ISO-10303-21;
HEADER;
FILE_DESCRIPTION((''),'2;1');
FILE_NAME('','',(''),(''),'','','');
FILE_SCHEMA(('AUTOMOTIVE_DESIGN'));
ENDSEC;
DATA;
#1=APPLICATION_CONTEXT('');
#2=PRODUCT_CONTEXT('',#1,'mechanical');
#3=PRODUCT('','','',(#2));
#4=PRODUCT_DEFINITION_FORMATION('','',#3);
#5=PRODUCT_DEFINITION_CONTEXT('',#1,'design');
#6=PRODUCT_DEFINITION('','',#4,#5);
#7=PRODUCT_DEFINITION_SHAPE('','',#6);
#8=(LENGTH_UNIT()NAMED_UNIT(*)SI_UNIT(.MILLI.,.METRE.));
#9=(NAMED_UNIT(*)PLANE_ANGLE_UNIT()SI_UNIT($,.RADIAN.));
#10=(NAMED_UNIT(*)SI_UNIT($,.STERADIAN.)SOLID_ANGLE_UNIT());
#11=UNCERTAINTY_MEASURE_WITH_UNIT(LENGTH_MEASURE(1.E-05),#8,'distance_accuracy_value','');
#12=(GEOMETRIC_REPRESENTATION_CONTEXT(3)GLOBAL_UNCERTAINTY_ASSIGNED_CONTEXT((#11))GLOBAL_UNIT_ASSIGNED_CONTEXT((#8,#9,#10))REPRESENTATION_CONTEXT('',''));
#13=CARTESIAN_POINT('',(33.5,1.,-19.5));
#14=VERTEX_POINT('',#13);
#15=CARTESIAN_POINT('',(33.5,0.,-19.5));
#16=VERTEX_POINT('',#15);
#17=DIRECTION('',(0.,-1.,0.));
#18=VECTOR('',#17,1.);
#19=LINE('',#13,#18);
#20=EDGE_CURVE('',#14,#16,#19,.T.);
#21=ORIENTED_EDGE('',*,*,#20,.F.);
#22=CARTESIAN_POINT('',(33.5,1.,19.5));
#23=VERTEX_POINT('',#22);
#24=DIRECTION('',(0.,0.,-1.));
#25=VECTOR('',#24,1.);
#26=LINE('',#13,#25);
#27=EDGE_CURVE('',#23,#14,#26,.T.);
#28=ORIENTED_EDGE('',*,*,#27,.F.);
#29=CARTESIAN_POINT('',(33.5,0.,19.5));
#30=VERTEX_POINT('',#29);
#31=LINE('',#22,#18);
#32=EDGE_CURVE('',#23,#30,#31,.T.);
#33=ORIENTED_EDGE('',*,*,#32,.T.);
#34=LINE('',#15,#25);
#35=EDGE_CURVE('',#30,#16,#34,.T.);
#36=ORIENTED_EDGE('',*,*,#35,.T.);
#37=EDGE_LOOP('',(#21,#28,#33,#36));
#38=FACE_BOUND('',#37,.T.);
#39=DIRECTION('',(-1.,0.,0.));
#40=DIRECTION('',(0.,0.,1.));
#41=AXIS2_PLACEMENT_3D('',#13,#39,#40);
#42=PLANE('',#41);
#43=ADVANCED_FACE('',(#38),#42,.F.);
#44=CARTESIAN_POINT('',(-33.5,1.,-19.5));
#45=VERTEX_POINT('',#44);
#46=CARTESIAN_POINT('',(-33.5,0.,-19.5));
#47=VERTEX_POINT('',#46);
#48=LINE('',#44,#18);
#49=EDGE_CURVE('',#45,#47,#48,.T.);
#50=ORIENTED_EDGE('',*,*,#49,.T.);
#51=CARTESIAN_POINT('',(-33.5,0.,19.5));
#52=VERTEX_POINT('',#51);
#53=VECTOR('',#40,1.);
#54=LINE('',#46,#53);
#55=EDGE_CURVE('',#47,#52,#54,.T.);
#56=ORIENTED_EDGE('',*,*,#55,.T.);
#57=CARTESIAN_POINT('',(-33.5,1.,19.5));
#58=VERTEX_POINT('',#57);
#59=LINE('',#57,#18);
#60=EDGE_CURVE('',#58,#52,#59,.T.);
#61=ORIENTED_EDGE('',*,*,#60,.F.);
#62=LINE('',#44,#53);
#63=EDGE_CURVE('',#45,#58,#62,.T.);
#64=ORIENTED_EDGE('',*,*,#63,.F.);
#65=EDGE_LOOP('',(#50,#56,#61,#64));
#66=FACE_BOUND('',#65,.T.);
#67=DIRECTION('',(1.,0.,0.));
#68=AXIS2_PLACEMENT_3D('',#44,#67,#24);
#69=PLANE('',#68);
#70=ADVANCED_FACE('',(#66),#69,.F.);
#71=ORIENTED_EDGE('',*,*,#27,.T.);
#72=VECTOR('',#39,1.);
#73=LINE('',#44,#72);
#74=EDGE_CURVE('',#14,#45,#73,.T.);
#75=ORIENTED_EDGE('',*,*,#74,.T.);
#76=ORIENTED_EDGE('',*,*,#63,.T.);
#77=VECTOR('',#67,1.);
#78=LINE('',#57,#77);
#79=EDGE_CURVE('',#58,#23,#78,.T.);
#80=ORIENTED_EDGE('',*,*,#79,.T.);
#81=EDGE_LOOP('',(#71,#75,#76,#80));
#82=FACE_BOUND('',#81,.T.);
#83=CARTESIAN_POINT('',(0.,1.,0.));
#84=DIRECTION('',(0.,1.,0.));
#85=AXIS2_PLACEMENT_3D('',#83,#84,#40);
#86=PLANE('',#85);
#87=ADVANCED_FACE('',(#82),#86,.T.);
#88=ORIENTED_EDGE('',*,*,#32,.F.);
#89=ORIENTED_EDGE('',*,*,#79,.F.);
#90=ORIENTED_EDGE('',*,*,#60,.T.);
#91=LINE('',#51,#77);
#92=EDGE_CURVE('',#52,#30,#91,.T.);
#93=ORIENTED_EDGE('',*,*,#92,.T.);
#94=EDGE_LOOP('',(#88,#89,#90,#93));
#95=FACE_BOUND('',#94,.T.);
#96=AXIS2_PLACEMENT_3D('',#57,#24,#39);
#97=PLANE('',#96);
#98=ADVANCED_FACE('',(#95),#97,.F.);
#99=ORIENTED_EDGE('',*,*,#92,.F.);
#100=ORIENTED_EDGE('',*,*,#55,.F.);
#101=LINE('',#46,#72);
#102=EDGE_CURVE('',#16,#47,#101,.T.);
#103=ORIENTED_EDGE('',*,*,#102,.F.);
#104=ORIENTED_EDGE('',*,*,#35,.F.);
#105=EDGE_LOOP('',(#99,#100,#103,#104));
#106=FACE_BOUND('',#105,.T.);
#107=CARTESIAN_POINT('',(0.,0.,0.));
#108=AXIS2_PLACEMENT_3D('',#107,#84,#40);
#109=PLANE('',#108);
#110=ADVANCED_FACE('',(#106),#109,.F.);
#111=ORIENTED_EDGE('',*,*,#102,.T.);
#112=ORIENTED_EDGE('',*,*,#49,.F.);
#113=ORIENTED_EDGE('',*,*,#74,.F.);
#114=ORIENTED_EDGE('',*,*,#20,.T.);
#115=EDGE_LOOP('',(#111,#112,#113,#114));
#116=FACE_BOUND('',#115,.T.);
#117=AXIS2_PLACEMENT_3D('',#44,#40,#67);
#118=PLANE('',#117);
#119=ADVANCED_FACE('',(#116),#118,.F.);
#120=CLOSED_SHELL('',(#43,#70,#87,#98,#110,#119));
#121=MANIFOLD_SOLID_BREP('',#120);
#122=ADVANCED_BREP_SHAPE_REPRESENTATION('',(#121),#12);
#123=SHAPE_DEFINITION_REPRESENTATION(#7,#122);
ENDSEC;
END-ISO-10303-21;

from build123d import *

# Parameters (mm, degrees)
SKETCH_1_W      = 67
SKETCH_1_H      = 39
EXTRUDE_1_DEPTH = 1


with BuildPart() as part:
    # 草图1 → 凸台-拉伸1 (new body)
    with BuildSketch(Plane(origin=(0, 0, 0), x_dir=(1, 0, 0), z_dir=(0, 1, 0))):
        Rectangle(SKETCH_1_W, SKETCH_1_H)
    extrude(amount=EXTRUDE_1_DEPTH)


solid = part.part
